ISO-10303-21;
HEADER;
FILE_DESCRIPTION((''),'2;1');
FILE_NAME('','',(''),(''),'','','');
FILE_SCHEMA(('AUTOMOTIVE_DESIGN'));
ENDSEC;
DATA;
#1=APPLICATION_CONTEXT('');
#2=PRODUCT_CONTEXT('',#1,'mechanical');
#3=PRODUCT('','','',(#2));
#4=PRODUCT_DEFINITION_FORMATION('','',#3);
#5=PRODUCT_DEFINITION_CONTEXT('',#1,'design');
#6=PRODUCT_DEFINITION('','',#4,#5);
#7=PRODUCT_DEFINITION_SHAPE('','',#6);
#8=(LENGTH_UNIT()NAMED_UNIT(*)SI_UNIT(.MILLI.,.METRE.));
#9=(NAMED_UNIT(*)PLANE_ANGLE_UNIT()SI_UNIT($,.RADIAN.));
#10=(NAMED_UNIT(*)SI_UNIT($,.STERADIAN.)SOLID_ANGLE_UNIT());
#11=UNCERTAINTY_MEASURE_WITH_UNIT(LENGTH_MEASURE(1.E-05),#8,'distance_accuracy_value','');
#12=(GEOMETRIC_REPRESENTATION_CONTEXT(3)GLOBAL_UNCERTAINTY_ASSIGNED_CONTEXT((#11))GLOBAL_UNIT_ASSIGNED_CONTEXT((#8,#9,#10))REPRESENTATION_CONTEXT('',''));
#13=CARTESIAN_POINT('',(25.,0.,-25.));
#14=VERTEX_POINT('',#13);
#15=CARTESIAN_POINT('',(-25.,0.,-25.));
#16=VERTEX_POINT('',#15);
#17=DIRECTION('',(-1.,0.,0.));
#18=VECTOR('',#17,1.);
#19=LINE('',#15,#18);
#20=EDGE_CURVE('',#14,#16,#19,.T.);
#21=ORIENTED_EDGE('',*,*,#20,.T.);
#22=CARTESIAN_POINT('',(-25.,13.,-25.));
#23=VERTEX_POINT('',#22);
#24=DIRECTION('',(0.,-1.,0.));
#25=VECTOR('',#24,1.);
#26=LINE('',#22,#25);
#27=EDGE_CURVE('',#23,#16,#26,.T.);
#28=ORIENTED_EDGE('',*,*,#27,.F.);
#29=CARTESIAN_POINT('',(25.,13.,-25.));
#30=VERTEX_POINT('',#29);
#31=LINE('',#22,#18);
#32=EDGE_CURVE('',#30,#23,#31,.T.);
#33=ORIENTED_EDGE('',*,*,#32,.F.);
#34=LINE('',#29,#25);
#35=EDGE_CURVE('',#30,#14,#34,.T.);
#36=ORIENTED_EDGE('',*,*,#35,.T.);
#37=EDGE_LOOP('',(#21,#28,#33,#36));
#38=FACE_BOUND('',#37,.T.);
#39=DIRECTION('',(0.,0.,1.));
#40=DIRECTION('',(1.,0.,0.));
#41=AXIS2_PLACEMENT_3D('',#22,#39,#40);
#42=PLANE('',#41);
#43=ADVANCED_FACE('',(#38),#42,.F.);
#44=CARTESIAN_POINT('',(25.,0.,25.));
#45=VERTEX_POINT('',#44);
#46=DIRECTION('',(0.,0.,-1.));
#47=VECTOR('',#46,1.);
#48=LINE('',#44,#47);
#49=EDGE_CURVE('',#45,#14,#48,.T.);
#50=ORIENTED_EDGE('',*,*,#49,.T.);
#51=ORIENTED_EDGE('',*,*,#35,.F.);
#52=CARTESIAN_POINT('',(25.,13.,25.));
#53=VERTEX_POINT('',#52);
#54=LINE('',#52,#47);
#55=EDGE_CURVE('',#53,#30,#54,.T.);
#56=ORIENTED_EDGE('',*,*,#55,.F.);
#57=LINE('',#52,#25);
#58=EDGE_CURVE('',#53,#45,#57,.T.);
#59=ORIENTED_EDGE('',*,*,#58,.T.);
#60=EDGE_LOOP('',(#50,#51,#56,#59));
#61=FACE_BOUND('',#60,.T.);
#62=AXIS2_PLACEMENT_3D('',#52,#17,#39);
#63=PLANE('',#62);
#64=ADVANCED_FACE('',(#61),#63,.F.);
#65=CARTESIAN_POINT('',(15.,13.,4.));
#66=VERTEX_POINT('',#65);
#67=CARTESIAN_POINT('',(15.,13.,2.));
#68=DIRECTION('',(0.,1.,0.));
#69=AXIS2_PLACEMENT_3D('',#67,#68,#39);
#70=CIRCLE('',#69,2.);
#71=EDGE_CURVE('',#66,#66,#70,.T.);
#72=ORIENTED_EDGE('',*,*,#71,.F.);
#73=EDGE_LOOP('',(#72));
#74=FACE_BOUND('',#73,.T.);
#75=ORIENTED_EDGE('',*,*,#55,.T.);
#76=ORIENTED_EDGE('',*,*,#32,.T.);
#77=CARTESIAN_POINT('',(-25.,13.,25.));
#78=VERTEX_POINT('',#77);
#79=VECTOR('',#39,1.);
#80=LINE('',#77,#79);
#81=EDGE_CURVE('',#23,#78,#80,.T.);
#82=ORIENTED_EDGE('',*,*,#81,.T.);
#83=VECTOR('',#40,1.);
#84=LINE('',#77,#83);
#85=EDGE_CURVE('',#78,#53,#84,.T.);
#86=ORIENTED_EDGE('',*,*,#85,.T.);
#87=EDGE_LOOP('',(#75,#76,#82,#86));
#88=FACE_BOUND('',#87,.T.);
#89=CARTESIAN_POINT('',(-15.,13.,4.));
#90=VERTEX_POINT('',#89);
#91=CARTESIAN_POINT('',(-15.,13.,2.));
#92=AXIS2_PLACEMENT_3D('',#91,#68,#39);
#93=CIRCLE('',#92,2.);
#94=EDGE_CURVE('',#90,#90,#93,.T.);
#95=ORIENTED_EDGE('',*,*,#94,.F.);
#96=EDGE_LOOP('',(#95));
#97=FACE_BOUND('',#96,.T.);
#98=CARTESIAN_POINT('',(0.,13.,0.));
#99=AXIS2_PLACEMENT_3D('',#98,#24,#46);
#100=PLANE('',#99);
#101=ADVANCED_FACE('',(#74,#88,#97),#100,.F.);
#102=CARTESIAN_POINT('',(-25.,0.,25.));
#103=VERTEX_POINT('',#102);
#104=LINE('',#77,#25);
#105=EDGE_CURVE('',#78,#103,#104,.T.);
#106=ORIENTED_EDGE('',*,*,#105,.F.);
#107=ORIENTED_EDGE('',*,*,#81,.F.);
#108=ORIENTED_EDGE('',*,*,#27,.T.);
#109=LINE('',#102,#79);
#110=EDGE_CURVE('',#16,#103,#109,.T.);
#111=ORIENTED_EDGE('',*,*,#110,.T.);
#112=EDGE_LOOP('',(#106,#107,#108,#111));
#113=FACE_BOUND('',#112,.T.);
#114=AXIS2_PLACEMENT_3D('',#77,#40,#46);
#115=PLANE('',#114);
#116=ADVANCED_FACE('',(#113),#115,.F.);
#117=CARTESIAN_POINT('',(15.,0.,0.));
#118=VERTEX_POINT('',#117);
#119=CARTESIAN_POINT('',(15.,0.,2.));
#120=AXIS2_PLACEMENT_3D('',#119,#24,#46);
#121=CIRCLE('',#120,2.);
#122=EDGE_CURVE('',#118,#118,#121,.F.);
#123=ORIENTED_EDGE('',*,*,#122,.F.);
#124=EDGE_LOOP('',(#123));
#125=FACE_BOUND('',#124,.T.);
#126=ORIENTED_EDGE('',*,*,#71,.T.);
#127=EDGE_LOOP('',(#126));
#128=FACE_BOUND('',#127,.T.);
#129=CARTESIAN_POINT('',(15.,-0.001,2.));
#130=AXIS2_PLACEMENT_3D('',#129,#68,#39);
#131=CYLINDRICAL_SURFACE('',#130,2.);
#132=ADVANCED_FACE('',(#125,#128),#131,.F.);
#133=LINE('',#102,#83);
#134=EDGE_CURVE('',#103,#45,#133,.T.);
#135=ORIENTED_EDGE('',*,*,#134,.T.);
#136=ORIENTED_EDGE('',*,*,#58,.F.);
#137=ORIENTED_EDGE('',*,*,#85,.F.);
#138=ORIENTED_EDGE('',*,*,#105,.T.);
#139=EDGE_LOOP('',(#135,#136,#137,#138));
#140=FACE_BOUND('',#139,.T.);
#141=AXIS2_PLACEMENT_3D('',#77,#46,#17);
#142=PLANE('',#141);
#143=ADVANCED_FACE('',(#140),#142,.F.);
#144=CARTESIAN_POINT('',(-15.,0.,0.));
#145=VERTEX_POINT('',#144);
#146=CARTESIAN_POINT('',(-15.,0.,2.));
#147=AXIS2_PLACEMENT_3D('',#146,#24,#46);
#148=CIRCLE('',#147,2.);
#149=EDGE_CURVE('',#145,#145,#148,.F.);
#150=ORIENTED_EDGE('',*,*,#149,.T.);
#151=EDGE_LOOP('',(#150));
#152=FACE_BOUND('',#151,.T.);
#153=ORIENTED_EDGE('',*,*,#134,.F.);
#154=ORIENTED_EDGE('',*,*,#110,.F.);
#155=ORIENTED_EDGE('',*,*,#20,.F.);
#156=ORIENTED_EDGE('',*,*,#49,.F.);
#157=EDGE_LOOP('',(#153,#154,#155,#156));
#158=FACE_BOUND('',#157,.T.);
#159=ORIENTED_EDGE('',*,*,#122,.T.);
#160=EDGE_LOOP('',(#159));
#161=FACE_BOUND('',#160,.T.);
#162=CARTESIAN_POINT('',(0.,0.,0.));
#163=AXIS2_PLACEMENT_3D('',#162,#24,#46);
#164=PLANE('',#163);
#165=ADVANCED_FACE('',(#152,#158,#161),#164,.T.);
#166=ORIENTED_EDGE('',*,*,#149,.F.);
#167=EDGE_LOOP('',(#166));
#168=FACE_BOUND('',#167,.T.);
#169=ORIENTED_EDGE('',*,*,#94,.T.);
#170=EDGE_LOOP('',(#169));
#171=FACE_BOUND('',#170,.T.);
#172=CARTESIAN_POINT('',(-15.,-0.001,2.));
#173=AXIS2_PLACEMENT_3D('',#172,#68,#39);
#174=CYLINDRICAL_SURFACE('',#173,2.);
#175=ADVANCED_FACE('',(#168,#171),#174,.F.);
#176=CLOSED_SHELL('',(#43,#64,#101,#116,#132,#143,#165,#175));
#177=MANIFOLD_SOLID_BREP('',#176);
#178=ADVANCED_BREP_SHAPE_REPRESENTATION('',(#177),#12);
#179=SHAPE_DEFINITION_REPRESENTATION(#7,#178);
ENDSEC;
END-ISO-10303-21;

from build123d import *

# Parameters (mm, degrees)
SKETCH_1_W          = 50
SKETCH_1_H          = 50
EXTRUDE_1_DEPTH     = 13
CUT_EXTRUDE_1_REACH = 39.67
SKETCH_3_R          = 2


with BuildPart() as part:
    # 草图1 → 凸台-拉伸1 (new body)
    with BuildSketch(Plane(origin=(0, 0, 0), x_dir=(1, 0, 0), z_dir=(0, 1, 0))):
        Rectangle(SKETCH_1_W, SKETCH_1_H)
    extrude(amount=EXTRUDE_1_DEPTH)

    # 草图3 → 切除-拉伸1 (cut, up to next)
    with BuildSketch(Plane(origin=(0, 13, 0), x_dir=(1, 0, 0), z_dir=(0, 1, 0)), mode=Mode.PRIVATE) as cut_extrude_1_sk1:
        with Locations(Location((-15, -2, 0), (0, 0, 270))):
            Circle(SKETCH_3_R)
    cut_extrude_1_tool1 = extrude(cut_extrude_1_sk1.sketch, amount=-CUT_EXTRUDE_1_REACH, mode=Mode.PRIVATE) & part.part
    # 草图3 → 切除-拉伸1 (cut, up to next)
    with BuildSketch(Plane(origin=(0, 13, 0), x_dir=(1, 0, 0), z_dir=(0, 1, 0)), mode=Mode.PRIVATE) as cut_extrude_1_sk2:
        with Locations(Location((15, -2, 0), (0, 0, 270))):
            Circle(SKETCH_3_R)
    cut_extrude_1_tool2 = extrude(cut_extrude_1_sk2.sketch, amount=-CUT_EXTRUDE_1_REACH, mode=Mode.PRIVATE) & part.part
    add(cut_extrude_1_tool1.solids().sort_by_distance((-15, 13, 2))[0], mode=Mode.SUBTRACT)
    add(cut_extrude_1_tool2.solids().sort_by_distance((15, 13, 2))[0], mode=Mode.SUBTRACT)


solid = part.part
